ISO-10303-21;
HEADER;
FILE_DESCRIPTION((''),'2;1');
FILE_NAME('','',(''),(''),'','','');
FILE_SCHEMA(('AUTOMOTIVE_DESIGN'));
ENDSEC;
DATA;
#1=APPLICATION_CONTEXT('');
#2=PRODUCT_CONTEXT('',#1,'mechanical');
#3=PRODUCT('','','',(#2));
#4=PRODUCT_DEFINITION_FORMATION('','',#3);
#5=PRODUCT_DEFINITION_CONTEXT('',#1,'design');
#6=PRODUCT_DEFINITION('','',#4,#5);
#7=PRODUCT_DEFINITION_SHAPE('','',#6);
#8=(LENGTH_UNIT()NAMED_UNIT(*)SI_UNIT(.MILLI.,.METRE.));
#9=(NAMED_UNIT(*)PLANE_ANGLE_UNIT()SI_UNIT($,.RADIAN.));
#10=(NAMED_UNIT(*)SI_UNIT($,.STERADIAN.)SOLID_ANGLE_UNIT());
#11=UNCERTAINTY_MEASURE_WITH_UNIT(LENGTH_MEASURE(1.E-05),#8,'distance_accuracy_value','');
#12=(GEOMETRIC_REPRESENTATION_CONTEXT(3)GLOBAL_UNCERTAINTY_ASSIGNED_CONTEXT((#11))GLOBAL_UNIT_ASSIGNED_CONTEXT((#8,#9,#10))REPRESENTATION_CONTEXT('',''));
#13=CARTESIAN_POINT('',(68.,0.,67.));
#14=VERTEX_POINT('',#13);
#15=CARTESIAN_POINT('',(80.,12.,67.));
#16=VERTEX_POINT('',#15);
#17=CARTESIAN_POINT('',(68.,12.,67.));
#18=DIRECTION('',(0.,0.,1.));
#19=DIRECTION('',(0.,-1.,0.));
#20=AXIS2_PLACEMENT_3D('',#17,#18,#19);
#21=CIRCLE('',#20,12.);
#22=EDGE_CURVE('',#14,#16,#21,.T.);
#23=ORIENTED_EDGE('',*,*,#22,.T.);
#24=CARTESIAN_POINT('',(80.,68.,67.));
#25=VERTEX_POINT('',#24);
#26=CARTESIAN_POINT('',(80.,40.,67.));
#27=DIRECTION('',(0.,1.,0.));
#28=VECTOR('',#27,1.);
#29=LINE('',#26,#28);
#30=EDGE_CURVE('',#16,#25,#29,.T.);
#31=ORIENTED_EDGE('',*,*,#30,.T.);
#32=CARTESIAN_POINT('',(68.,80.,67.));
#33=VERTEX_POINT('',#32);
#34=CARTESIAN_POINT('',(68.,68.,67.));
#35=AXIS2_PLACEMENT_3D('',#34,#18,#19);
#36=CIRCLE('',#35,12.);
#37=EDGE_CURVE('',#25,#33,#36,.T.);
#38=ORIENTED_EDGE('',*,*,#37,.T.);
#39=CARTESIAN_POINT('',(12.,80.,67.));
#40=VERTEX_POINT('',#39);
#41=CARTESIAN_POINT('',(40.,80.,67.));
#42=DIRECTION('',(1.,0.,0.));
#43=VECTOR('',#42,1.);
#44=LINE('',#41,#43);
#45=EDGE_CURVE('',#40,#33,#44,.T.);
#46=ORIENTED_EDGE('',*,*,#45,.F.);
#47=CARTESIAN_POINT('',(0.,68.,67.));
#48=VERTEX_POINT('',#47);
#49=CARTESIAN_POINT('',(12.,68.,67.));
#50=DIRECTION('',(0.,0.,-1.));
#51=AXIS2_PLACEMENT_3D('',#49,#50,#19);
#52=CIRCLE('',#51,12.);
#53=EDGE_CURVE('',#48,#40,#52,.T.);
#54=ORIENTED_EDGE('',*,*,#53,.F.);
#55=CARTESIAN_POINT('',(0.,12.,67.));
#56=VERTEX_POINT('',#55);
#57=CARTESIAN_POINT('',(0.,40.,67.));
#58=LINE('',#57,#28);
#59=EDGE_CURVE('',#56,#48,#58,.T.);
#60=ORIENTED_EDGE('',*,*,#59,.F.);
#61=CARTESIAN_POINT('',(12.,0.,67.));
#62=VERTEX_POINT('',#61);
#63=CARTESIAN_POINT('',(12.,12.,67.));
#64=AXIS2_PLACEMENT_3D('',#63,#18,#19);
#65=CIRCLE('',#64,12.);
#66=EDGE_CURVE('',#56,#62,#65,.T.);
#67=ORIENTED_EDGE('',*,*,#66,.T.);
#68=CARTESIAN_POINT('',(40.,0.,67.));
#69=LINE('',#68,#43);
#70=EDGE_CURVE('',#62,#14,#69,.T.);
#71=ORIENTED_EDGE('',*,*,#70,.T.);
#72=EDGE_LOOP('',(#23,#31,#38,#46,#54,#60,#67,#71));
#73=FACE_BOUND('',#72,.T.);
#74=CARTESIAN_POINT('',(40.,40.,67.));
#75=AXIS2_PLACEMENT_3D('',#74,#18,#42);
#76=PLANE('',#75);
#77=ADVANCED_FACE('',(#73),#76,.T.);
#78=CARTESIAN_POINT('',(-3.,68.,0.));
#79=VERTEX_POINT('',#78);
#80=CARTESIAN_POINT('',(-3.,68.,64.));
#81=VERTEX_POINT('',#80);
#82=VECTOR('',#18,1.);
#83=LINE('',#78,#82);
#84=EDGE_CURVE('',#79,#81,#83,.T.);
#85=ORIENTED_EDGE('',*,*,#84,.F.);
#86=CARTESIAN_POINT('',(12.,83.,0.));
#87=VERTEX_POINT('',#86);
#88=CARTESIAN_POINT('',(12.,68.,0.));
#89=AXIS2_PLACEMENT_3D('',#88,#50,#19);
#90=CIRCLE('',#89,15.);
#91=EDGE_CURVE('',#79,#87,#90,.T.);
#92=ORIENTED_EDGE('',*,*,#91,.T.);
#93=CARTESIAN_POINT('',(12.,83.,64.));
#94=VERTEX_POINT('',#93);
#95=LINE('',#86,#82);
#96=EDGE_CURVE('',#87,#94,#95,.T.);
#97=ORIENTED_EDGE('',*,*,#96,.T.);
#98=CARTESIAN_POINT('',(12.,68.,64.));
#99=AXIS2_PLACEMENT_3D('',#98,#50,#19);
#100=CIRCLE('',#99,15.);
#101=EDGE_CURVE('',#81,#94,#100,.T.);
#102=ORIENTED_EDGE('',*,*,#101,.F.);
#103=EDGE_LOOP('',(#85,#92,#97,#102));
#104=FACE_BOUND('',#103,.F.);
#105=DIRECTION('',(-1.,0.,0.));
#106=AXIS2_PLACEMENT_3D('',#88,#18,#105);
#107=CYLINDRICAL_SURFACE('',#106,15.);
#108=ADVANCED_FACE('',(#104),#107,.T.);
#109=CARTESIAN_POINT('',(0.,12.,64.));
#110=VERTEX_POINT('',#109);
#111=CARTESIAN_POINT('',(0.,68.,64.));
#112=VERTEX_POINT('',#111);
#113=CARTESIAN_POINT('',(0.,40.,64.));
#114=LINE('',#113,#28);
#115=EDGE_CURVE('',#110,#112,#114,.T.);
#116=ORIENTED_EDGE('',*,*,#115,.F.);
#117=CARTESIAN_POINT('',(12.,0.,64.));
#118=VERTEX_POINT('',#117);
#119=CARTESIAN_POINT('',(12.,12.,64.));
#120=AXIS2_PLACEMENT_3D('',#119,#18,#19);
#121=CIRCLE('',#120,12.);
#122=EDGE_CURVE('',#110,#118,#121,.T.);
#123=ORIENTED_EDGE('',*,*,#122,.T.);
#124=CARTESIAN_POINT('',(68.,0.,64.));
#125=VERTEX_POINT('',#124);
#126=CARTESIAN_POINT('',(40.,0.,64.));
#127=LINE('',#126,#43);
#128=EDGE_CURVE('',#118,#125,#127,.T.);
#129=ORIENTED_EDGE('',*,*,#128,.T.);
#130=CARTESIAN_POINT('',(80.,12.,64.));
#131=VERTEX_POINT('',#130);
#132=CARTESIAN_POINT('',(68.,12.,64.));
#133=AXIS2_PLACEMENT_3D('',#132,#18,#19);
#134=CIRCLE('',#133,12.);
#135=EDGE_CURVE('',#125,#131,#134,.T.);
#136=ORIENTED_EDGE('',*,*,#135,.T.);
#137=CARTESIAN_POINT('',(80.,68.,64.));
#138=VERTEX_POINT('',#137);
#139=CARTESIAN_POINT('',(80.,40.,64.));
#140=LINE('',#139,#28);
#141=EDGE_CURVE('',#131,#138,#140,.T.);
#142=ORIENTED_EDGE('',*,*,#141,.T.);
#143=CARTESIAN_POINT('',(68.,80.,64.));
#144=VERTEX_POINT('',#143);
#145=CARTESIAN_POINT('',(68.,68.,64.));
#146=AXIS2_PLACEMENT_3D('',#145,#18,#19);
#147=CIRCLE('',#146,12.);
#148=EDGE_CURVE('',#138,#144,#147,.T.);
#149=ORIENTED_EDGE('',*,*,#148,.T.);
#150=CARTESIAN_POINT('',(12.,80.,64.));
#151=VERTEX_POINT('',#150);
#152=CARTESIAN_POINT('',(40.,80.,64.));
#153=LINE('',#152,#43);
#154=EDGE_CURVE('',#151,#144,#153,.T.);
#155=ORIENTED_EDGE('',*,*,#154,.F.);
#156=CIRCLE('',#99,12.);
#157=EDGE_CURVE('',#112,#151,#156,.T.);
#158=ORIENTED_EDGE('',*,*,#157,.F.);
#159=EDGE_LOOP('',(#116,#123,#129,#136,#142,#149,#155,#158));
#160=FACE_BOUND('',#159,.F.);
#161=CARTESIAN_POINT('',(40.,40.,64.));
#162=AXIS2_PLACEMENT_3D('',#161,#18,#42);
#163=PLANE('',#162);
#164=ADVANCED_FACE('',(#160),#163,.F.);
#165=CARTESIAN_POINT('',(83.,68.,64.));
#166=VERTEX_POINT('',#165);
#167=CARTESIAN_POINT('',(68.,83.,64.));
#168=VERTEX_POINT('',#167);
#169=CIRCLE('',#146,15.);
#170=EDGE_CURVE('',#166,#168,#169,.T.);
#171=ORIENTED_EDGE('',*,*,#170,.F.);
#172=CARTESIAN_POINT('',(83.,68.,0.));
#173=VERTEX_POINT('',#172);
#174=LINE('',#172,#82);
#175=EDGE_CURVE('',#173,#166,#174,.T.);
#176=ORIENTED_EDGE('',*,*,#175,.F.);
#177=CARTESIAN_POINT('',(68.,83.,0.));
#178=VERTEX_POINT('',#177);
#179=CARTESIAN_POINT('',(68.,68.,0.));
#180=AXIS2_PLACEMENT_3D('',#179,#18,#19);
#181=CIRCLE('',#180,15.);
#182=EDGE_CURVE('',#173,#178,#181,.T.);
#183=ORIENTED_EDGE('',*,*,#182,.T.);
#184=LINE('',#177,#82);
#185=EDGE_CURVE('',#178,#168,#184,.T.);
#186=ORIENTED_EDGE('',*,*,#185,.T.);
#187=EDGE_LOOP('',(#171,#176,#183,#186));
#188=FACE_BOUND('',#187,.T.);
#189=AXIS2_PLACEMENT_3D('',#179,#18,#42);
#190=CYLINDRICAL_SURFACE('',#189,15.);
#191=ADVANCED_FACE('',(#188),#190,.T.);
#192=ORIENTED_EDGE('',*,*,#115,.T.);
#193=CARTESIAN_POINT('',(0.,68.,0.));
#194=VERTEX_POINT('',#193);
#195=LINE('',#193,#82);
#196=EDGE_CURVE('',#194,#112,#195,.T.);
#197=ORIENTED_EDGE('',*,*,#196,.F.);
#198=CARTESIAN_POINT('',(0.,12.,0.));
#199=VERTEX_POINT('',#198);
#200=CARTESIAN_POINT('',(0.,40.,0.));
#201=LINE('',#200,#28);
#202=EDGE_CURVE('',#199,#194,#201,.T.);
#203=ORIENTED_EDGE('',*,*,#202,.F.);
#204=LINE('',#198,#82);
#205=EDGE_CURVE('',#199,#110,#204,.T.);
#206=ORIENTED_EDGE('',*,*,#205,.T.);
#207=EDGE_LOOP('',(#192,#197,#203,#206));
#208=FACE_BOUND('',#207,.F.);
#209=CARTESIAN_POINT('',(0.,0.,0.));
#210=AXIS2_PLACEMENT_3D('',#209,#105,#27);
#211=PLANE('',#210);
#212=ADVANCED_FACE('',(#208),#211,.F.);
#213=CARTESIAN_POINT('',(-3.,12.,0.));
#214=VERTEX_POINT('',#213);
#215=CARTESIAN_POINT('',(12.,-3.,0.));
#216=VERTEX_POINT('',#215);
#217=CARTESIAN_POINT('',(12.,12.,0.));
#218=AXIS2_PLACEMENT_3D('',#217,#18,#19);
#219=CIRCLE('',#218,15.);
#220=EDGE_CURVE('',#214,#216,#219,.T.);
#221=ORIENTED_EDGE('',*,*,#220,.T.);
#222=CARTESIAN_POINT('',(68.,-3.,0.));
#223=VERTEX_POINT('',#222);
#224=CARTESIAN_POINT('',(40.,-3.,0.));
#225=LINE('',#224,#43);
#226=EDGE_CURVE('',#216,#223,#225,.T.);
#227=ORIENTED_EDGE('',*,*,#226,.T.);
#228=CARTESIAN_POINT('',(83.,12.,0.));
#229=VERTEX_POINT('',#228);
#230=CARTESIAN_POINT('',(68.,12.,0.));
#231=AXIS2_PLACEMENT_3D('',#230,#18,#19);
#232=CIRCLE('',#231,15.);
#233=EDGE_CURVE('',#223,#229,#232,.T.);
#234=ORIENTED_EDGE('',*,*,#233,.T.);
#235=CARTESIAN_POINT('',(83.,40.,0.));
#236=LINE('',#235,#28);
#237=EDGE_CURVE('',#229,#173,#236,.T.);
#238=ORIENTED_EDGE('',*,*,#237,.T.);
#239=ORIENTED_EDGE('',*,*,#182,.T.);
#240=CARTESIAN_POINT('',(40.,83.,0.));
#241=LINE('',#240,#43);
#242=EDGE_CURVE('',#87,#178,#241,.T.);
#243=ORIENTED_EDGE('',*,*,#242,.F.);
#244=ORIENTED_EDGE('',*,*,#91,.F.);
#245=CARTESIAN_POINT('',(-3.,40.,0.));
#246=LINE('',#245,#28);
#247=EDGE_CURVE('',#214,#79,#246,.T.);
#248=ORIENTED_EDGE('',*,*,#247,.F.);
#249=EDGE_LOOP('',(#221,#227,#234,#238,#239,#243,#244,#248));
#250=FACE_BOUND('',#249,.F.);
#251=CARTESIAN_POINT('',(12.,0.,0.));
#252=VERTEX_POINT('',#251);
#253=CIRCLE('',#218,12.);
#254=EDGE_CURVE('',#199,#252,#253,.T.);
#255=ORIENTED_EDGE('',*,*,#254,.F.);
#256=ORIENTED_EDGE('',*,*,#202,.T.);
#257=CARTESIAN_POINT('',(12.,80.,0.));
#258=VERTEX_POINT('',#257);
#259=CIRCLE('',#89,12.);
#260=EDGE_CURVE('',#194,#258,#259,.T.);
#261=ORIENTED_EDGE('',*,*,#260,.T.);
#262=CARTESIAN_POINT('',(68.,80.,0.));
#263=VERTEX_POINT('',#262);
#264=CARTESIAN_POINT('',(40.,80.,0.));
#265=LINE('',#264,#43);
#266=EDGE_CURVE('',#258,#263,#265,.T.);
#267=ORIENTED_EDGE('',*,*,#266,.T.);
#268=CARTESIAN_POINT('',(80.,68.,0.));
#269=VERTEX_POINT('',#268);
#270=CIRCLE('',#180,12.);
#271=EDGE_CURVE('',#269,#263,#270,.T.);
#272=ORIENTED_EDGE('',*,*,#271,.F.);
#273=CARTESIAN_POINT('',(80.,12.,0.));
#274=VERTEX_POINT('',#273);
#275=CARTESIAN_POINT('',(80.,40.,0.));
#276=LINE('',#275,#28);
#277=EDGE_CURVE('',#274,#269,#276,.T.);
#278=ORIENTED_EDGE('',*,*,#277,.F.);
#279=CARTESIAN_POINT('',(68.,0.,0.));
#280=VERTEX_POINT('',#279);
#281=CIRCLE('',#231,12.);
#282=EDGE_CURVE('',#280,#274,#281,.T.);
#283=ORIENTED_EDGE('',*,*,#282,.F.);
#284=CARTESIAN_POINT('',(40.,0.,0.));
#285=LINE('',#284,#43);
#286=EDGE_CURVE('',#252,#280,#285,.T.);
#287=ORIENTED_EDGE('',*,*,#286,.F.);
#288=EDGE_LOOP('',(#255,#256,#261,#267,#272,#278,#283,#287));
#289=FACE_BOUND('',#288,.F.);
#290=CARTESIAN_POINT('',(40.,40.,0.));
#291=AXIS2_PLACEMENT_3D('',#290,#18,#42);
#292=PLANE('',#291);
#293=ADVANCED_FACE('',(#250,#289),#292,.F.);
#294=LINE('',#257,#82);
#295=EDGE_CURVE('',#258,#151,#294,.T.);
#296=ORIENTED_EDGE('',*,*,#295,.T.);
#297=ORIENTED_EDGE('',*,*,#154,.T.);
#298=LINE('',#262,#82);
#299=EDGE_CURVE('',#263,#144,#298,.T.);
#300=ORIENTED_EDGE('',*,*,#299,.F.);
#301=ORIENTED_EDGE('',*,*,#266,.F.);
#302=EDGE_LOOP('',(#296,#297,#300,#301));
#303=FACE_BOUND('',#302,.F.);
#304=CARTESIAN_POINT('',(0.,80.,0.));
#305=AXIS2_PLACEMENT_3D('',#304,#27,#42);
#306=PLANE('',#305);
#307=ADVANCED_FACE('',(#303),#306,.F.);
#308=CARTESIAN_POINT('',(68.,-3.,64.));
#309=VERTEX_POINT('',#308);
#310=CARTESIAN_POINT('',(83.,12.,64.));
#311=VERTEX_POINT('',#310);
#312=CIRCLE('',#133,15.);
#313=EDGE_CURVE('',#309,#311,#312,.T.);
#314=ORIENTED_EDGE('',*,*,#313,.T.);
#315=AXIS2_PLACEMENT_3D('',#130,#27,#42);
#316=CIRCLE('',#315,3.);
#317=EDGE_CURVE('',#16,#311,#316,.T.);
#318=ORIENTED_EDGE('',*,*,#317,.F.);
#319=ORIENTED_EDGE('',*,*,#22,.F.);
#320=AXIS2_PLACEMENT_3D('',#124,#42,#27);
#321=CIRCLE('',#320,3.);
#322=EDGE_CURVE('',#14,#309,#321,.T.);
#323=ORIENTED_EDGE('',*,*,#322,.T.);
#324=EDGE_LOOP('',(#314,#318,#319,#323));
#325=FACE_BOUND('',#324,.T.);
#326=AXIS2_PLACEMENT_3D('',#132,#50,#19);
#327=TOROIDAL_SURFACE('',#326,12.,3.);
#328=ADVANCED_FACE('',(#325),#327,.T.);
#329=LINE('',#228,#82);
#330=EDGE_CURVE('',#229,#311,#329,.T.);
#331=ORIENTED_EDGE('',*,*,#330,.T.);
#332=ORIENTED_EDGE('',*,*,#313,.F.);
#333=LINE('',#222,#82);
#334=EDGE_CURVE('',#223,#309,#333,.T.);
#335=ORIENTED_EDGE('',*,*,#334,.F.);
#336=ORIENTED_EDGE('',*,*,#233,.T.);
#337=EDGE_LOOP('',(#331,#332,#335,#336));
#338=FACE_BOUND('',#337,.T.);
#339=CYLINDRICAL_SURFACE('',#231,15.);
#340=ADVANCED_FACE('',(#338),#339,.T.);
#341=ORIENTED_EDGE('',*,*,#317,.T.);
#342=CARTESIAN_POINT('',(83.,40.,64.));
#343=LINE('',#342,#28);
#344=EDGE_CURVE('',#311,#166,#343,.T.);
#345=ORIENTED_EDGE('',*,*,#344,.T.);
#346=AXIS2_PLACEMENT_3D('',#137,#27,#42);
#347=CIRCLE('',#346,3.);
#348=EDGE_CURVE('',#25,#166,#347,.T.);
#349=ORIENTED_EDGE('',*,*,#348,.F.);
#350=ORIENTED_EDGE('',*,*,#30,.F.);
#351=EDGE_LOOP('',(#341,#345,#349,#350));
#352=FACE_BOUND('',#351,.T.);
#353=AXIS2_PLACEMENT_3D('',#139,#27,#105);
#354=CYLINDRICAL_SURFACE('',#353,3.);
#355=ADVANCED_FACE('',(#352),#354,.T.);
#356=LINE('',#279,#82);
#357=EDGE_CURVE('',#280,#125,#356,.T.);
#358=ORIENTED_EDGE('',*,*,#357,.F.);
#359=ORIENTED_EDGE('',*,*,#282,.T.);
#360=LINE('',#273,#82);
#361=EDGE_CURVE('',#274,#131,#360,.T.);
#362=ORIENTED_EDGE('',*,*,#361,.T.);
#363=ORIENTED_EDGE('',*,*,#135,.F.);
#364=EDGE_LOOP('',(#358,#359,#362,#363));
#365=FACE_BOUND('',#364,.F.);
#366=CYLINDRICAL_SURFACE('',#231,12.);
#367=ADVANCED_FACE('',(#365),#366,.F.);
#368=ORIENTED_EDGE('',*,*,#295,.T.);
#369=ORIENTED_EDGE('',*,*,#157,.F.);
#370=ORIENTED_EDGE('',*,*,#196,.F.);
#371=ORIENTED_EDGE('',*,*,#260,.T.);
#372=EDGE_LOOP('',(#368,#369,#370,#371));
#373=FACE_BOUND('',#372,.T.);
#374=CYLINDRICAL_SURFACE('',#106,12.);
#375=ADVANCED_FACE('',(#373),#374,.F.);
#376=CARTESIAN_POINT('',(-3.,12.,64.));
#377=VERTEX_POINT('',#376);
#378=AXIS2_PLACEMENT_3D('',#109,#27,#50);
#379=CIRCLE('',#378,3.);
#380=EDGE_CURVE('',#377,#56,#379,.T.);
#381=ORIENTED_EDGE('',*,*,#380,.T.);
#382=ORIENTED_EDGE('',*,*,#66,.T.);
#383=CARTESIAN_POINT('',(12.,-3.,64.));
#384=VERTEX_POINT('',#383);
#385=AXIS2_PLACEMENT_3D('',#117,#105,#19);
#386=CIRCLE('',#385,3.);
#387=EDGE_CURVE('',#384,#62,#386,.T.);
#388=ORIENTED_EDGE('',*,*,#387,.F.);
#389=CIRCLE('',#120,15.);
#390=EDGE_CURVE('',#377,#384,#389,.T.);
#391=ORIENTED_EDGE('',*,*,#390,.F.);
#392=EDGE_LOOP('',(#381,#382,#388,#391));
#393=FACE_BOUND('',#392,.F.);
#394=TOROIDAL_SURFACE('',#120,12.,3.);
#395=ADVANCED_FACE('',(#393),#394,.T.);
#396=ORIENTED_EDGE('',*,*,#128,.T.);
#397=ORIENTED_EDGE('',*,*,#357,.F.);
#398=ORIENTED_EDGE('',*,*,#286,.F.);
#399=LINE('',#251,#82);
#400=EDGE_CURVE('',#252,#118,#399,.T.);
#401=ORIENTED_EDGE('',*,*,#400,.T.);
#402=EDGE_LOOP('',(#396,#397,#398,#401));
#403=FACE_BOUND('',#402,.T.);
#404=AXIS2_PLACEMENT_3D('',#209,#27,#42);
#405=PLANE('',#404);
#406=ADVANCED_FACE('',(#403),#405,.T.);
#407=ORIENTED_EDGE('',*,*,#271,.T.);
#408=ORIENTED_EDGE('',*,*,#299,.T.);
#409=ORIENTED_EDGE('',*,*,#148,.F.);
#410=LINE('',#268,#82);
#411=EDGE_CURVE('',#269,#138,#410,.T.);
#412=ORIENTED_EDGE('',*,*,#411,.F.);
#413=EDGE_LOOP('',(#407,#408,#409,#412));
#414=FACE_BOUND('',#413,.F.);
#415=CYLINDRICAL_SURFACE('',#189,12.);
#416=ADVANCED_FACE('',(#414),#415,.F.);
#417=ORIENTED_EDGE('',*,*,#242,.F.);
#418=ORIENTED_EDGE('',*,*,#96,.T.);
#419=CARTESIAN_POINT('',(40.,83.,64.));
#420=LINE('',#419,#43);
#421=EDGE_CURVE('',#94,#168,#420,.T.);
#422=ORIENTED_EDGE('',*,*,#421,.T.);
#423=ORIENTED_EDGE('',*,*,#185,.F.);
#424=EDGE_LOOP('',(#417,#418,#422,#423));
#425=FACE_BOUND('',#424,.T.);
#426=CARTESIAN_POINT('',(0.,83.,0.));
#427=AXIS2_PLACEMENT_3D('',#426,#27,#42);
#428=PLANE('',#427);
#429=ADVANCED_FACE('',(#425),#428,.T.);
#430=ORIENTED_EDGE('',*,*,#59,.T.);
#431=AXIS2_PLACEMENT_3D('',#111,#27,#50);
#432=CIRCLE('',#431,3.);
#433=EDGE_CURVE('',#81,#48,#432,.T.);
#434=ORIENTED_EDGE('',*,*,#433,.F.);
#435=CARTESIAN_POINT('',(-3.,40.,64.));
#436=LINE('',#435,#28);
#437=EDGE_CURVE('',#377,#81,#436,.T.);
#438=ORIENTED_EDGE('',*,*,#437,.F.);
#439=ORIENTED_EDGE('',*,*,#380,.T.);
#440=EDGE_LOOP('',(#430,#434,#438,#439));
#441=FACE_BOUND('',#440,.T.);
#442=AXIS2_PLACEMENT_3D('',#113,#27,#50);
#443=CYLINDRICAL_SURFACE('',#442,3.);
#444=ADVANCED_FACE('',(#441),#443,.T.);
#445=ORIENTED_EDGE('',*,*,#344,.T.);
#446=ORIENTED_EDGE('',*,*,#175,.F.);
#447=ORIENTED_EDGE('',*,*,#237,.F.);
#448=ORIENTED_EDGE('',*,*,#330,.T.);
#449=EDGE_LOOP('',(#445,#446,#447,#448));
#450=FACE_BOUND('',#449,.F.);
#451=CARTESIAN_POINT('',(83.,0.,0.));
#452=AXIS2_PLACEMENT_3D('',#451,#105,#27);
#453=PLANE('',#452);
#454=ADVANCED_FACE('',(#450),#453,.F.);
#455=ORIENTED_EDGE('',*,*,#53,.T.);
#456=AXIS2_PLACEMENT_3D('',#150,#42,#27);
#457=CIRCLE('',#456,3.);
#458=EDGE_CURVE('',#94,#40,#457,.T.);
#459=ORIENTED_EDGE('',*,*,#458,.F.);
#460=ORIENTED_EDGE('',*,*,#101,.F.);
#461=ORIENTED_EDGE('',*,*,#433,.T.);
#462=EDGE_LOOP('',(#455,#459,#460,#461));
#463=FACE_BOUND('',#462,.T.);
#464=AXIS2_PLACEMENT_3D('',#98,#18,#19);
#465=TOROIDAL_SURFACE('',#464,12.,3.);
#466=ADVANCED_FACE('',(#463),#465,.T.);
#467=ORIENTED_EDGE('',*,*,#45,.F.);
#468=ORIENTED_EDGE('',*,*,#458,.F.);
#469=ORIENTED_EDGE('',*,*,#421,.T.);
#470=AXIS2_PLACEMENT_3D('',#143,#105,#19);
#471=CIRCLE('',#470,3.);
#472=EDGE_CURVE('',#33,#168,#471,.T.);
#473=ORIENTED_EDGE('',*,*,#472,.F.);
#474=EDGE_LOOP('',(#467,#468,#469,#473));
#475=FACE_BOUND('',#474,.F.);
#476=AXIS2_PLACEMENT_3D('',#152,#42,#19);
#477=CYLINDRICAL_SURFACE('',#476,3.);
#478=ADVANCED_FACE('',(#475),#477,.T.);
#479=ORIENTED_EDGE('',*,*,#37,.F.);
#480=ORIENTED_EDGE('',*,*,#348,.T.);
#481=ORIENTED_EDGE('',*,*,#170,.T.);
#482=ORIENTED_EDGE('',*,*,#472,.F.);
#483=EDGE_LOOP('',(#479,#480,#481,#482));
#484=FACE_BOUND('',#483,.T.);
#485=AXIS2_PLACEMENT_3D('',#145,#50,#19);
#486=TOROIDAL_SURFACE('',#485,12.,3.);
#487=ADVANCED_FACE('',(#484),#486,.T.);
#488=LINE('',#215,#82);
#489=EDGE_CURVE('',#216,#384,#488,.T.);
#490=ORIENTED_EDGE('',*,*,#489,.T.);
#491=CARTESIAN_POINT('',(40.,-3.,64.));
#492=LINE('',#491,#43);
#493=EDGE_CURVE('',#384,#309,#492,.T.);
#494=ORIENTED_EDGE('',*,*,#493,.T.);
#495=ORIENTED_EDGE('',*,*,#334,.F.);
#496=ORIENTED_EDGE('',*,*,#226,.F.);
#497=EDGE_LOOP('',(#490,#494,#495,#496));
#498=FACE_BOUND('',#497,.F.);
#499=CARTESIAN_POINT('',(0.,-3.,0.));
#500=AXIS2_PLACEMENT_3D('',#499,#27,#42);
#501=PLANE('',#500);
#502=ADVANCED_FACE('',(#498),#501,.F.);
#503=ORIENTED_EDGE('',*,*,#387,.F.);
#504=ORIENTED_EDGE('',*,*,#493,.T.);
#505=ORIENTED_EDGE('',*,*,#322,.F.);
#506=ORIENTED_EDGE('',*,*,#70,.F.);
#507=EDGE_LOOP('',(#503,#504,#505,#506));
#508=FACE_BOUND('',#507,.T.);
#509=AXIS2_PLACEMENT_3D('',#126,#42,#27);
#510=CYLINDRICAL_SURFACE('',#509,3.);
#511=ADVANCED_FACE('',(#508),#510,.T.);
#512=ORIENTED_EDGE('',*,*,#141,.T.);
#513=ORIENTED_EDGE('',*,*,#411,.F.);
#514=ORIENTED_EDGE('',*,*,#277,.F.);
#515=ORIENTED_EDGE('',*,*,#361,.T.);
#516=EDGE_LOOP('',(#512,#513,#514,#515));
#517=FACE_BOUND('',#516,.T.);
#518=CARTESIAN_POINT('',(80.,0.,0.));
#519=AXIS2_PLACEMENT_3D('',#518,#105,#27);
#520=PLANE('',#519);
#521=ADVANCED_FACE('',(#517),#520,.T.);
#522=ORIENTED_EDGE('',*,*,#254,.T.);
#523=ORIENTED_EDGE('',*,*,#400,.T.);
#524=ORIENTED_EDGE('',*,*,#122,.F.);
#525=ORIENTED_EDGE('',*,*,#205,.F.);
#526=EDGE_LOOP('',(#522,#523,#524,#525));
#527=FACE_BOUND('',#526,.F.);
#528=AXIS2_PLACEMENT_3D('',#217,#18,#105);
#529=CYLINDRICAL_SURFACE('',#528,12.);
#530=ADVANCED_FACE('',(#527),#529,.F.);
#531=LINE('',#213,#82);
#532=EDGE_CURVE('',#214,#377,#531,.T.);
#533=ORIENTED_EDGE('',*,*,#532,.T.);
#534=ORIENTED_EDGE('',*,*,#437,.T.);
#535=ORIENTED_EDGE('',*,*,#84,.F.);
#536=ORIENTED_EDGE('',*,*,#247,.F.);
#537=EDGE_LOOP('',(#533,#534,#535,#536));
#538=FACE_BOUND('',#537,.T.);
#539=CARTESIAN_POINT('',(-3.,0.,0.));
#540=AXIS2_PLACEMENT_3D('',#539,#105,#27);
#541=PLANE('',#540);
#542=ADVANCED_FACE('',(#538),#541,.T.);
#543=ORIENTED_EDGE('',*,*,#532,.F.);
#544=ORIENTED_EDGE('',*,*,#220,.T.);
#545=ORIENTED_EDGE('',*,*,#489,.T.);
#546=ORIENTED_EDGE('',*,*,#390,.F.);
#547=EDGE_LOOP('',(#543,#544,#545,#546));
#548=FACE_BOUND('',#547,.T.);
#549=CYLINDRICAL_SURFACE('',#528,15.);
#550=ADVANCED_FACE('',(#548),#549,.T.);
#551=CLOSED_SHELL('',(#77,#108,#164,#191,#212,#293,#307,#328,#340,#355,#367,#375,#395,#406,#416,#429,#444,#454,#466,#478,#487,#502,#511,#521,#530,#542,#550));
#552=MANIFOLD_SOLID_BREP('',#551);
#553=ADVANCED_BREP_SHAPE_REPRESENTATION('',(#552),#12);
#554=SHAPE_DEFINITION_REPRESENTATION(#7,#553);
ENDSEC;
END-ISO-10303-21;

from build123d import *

# Parameters (mm, degrees)
BOX001_W     = 80
BOX001_H     = 80
BOX001_DEPTH = 64
FILLET_R     = 12
THICKNESS_T  = 3


with BuildPart() as part:
    # Box001 → Box001 (new body)
    with BuildSketch(Plane.XY):
        with Locations((40, 40)):
            Rectangle(BOX001_W, BOX001_H)
    extrude(amount=BOX001_DEPTH)

    # Fillet
    fillet_edges = [part.edges().sort_by_distance(p)[0] for p in [
        (0, 0, 32),
        (0, 80, 32),
        (80, 0, 32),
        (80, 80, 32),
    ]]
    fillet(fillet_edges, radius=FILLET_R)

    # Thickness
    thickness_openings = [part.faces().sort_by_distance(p)[0] for p in [
        (40, 40, 0),
    ]]
    offset(amount=THICKNESS_T, openings=thickness_openings)


solid = part.part
